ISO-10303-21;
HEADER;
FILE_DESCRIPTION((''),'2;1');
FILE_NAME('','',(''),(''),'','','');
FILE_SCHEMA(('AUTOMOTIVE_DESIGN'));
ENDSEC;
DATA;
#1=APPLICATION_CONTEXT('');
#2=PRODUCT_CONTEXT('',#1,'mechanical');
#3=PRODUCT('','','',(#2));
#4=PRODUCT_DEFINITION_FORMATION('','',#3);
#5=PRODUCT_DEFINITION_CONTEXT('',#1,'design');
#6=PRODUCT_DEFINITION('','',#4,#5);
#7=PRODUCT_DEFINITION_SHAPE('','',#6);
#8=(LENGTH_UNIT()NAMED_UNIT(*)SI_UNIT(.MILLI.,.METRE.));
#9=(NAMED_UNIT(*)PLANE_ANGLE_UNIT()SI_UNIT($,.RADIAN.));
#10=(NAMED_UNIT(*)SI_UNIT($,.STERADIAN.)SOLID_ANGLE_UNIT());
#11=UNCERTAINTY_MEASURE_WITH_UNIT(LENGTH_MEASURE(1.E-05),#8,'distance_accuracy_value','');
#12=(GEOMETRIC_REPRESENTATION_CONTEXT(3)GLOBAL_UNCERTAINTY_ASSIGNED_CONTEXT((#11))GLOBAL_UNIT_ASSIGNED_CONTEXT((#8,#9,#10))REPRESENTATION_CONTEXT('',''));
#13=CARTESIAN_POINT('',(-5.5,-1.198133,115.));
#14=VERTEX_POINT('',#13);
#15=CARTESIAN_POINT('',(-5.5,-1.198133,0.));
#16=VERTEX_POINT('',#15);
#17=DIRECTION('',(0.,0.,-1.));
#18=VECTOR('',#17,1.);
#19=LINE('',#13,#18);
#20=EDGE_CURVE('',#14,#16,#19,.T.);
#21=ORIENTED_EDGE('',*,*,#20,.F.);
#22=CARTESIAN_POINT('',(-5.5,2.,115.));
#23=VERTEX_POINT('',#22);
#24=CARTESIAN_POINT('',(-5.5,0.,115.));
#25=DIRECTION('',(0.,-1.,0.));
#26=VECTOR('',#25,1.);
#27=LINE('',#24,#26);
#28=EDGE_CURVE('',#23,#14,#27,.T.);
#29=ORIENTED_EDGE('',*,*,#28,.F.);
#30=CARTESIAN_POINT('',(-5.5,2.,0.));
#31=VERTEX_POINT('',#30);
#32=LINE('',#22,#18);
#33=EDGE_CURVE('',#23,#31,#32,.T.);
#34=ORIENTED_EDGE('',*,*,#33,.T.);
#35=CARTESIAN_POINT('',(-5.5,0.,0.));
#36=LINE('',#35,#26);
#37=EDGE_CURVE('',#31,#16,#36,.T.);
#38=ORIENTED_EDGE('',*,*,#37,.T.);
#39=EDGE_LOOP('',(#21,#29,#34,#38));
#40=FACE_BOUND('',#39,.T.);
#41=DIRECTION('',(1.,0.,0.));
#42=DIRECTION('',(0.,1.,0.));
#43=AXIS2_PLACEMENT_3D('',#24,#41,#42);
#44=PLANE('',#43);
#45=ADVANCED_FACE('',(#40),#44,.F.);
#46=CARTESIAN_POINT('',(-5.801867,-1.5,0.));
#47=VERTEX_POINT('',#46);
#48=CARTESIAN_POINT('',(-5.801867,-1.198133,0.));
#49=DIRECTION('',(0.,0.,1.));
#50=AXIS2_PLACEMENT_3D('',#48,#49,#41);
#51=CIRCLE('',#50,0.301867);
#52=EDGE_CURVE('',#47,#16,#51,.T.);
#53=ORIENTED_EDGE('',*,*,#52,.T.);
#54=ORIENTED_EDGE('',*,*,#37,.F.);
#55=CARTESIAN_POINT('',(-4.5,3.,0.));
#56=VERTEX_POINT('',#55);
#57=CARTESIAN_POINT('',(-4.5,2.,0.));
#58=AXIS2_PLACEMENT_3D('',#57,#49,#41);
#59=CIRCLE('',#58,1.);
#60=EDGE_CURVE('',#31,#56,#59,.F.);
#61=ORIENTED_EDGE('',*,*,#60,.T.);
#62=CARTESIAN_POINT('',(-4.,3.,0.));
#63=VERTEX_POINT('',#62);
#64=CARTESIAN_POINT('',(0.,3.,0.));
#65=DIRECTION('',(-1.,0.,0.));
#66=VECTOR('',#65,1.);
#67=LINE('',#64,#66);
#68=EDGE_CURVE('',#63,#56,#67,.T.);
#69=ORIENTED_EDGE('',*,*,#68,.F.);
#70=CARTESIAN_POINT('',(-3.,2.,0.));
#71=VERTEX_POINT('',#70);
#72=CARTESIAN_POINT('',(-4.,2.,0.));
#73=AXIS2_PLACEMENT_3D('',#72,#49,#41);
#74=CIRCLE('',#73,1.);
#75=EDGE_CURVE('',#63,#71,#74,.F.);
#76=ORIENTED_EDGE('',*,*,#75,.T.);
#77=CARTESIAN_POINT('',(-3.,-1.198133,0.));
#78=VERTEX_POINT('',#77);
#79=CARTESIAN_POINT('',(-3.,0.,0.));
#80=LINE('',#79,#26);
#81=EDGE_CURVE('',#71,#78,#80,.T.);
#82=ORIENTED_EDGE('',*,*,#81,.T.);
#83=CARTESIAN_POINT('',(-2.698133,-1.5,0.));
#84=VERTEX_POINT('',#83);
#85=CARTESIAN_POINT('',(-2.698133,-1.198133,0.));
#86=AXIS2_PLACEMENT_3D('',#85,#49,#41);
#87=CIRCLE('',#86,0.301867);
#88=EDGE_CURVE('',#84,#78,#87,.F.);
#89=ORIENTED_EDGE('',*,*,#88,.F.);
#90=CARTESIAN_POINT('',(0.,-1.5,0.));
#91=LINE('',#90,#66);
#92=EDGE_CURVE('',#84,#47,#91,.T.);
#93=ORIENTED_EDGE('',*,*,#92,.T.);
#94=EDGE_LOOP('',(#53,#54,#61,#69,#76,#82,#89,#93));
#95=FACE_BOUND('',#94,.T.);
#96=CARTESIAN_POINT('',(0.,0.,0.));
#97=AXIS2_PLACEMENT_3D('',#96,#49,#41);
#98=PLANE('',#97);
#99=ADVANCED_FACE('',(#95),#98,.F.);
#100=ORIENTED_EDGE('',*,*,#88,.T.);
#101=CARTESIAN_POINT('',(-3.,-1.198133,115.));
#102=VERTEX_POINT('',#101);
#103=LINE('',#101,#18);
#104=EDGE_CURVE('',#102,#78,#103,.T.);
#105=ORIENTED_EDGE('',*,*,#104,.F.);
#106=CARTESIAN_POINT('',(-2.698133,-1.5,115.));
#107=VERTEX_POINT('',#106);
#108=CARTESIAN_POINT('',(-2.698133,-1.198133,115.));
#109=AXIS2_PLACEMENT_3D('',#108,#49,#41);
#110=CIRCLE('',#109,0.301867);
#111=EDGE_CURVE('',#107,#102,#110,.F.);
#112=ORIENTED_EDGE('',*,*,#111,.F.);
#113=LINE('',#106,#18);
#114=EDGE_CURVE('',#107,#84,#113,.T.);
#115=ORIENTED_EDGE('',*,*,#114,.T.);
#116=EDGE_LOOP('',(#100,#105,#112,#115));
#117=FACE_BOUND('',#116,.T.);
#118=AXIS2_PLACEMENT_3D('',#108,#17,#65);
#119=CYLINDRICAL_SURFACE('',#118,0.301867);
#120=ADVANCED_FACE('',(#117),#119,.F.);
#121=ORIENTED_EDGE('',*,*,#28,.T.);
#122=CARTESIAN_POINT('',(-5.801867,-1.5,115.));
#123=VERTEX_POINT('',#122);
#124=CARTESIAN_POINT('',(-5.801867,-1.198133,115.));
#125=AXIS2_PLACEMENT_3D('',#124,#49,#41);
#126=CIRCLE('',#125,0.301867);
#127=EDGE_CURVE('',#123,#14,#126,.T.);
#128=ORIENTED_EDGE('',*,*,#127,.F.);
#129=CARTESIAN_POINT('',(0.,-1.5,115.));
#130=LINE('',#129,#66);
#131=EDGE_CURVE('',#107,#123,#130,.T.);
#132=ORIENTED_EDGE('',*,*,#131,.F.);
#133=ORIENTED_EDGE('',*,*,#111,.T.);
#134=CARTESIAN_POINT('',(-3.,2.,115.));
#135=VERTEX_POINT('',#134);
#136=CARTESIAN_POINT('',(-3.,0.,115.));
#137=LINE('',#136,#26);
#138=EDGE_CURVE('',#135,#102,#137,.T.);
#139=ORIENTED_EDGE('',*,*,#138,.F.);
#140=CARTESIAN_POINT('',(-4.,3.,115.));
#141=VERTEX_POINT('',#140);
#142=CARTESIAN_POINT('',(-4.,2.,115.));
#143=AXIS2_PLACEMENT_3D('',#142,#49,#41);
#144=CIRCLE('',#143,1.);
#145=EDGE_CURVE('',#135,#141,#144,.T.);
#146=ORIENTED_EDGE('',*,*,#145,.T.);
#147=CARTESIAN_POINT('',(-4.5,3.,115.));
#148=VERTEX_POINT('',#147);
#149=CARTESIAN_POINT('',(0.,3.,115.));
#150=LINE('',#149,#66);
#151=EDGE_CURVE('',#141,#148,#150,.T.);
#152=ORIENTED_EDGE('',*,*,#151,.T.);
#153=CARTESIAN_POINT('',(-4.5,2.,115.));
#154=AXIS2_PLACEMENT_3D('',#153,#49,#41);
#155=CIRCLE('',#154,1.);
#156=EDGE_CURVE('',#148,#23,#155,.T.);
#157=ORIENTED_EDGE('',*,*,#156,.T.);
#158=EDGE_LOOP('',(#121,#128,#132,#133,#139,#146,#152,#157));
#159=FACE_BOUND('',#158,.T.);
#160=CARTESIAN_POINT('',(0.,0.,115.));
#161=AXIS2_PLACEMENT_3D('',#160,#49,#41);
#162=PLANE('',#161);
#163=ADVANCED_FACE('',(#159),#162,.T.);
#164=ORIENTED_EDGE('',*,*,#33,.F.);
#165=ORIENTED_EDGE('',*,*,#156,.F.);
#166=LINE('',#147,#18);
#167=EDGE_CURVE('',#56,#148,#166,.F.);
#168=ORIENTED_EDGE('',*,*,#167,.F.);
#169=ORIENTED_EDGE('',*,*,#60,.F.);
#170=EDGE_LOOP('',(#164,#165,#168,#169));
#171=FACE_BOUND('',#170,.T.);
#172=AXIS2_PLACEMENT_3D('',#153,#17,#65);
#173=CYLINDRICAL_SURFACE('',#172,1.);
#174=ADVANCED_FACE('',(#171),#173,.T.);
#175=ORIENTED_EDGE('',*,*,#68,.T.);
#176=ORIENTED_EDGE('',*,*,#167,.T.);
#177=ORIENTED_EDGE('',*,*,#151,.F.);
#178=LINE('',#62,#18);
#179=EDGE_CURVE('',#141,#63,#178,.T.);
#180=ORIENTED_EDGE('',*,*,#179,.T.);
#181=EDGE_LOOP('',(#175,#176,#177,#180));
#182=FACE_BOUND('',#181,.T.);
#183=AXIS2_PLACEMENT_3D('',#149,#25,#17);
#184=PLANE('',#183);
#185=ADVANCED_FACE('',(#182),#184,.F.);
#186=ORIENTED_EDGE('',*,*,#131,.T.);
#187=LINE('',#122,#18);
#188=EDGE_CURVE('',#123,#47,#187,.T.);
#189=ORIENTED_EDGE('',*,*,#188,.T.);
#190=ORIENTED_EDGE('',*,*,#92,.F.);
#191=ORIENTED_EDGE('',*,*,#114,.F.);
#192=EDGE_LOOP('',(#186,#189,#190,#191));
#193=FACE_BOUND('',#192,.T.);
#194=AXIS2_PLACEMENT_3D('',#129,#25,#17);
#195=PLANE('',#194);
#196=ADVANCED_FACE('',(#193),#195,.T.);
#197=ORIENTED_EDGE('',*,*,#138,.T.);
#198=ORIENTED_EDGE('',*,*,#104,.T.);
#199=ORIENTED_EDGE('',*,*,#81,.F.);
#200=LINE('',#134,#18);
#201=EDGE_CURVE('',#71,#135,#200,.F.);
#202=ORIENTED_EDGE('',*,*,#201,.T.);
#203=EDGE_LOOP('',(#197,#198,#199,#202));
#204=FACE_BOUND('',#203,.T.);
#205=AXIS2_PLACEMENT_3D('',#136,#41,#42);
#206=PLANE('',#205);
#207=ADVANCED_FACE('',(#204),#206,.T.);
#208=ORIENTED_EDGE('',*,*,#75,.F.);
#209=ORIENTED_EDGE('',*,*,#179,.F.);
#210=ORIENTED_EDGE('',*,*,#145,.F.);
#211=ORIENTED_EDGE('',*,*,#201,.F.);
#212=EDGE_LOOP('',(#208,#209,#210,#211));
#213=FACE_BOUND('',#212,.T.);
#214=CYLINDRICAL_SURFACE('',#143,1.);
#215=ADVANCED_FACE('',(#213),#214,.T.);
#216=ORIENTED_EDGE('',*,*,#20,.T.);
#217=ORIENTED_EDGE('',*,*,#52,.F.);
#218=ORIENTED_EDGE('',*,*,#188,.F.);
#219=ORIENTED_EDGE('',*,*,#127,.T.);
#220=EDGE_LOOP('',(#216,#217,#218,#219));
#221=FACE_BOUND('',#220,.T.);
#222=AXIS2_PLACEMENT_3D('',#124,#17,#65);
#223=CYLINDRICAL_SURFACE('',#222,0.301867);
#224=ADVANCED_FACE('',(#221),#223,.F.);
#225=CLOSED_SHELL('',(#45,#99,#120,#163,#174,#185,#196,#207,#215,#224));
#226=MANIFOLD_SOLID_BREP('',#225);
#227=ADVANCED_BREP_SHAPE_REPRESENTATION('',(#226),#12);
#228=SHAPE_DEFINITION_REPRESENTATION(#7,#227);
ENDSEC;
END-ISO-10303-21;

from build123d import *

# Parameters (mm, degrees)
RESSALTO_EXTRUS_O1_DEPTH = 115
FILETE1_R                = 1


with BuildPart() as part:
    # Esboço1 → Ressalto-extrusão1 (new body)
    with BuildSketch(Plane.XY):
        Polygon((-5.5, -1.198132677), (-5.5, -1.5), (-4.25, -1.5), (-4.25, 3), (-5.5, 3), align=None)
        with BuildLine():
            Line((-5.801867323, -1.5), (-5.5, -1.5))
            Line((-5.5, -1.5), (-5.5, -1.198132677))
            ThreePointArc((-5.5, -1.198132677), (-5.588414892, -1.411585108), (-5.801867323, -1.5))
        make_face()
        Polygon((-4.25, 3), (-4.25, -1.5), (-3, -1.5), (-3, -1.198132677), (-3, 3), align=None)
        with BuildLine():
            Line((-3, -1.198132677), (-3, -1.5))
            Line((-3, -1.5), (-2.698132677, -1.5))
            ThreePointArc((-2.698132677, -1.5), (-2.911585108, -1.411585108), (-3, -1.198132677))
        make_face()
    extrude(amount=RESSALTO_EXTRUS_O1_DEPTH)

    # Filete1
    filete1_edges = [part.edges().sort_by_distance(p)[0] for p in [
        (-3, 3, 57.5),
        (-5.5, 3, 57.5),
    ]]
    fillet(filete1_edges, radius=FILETE1_R)


solid = part.part
